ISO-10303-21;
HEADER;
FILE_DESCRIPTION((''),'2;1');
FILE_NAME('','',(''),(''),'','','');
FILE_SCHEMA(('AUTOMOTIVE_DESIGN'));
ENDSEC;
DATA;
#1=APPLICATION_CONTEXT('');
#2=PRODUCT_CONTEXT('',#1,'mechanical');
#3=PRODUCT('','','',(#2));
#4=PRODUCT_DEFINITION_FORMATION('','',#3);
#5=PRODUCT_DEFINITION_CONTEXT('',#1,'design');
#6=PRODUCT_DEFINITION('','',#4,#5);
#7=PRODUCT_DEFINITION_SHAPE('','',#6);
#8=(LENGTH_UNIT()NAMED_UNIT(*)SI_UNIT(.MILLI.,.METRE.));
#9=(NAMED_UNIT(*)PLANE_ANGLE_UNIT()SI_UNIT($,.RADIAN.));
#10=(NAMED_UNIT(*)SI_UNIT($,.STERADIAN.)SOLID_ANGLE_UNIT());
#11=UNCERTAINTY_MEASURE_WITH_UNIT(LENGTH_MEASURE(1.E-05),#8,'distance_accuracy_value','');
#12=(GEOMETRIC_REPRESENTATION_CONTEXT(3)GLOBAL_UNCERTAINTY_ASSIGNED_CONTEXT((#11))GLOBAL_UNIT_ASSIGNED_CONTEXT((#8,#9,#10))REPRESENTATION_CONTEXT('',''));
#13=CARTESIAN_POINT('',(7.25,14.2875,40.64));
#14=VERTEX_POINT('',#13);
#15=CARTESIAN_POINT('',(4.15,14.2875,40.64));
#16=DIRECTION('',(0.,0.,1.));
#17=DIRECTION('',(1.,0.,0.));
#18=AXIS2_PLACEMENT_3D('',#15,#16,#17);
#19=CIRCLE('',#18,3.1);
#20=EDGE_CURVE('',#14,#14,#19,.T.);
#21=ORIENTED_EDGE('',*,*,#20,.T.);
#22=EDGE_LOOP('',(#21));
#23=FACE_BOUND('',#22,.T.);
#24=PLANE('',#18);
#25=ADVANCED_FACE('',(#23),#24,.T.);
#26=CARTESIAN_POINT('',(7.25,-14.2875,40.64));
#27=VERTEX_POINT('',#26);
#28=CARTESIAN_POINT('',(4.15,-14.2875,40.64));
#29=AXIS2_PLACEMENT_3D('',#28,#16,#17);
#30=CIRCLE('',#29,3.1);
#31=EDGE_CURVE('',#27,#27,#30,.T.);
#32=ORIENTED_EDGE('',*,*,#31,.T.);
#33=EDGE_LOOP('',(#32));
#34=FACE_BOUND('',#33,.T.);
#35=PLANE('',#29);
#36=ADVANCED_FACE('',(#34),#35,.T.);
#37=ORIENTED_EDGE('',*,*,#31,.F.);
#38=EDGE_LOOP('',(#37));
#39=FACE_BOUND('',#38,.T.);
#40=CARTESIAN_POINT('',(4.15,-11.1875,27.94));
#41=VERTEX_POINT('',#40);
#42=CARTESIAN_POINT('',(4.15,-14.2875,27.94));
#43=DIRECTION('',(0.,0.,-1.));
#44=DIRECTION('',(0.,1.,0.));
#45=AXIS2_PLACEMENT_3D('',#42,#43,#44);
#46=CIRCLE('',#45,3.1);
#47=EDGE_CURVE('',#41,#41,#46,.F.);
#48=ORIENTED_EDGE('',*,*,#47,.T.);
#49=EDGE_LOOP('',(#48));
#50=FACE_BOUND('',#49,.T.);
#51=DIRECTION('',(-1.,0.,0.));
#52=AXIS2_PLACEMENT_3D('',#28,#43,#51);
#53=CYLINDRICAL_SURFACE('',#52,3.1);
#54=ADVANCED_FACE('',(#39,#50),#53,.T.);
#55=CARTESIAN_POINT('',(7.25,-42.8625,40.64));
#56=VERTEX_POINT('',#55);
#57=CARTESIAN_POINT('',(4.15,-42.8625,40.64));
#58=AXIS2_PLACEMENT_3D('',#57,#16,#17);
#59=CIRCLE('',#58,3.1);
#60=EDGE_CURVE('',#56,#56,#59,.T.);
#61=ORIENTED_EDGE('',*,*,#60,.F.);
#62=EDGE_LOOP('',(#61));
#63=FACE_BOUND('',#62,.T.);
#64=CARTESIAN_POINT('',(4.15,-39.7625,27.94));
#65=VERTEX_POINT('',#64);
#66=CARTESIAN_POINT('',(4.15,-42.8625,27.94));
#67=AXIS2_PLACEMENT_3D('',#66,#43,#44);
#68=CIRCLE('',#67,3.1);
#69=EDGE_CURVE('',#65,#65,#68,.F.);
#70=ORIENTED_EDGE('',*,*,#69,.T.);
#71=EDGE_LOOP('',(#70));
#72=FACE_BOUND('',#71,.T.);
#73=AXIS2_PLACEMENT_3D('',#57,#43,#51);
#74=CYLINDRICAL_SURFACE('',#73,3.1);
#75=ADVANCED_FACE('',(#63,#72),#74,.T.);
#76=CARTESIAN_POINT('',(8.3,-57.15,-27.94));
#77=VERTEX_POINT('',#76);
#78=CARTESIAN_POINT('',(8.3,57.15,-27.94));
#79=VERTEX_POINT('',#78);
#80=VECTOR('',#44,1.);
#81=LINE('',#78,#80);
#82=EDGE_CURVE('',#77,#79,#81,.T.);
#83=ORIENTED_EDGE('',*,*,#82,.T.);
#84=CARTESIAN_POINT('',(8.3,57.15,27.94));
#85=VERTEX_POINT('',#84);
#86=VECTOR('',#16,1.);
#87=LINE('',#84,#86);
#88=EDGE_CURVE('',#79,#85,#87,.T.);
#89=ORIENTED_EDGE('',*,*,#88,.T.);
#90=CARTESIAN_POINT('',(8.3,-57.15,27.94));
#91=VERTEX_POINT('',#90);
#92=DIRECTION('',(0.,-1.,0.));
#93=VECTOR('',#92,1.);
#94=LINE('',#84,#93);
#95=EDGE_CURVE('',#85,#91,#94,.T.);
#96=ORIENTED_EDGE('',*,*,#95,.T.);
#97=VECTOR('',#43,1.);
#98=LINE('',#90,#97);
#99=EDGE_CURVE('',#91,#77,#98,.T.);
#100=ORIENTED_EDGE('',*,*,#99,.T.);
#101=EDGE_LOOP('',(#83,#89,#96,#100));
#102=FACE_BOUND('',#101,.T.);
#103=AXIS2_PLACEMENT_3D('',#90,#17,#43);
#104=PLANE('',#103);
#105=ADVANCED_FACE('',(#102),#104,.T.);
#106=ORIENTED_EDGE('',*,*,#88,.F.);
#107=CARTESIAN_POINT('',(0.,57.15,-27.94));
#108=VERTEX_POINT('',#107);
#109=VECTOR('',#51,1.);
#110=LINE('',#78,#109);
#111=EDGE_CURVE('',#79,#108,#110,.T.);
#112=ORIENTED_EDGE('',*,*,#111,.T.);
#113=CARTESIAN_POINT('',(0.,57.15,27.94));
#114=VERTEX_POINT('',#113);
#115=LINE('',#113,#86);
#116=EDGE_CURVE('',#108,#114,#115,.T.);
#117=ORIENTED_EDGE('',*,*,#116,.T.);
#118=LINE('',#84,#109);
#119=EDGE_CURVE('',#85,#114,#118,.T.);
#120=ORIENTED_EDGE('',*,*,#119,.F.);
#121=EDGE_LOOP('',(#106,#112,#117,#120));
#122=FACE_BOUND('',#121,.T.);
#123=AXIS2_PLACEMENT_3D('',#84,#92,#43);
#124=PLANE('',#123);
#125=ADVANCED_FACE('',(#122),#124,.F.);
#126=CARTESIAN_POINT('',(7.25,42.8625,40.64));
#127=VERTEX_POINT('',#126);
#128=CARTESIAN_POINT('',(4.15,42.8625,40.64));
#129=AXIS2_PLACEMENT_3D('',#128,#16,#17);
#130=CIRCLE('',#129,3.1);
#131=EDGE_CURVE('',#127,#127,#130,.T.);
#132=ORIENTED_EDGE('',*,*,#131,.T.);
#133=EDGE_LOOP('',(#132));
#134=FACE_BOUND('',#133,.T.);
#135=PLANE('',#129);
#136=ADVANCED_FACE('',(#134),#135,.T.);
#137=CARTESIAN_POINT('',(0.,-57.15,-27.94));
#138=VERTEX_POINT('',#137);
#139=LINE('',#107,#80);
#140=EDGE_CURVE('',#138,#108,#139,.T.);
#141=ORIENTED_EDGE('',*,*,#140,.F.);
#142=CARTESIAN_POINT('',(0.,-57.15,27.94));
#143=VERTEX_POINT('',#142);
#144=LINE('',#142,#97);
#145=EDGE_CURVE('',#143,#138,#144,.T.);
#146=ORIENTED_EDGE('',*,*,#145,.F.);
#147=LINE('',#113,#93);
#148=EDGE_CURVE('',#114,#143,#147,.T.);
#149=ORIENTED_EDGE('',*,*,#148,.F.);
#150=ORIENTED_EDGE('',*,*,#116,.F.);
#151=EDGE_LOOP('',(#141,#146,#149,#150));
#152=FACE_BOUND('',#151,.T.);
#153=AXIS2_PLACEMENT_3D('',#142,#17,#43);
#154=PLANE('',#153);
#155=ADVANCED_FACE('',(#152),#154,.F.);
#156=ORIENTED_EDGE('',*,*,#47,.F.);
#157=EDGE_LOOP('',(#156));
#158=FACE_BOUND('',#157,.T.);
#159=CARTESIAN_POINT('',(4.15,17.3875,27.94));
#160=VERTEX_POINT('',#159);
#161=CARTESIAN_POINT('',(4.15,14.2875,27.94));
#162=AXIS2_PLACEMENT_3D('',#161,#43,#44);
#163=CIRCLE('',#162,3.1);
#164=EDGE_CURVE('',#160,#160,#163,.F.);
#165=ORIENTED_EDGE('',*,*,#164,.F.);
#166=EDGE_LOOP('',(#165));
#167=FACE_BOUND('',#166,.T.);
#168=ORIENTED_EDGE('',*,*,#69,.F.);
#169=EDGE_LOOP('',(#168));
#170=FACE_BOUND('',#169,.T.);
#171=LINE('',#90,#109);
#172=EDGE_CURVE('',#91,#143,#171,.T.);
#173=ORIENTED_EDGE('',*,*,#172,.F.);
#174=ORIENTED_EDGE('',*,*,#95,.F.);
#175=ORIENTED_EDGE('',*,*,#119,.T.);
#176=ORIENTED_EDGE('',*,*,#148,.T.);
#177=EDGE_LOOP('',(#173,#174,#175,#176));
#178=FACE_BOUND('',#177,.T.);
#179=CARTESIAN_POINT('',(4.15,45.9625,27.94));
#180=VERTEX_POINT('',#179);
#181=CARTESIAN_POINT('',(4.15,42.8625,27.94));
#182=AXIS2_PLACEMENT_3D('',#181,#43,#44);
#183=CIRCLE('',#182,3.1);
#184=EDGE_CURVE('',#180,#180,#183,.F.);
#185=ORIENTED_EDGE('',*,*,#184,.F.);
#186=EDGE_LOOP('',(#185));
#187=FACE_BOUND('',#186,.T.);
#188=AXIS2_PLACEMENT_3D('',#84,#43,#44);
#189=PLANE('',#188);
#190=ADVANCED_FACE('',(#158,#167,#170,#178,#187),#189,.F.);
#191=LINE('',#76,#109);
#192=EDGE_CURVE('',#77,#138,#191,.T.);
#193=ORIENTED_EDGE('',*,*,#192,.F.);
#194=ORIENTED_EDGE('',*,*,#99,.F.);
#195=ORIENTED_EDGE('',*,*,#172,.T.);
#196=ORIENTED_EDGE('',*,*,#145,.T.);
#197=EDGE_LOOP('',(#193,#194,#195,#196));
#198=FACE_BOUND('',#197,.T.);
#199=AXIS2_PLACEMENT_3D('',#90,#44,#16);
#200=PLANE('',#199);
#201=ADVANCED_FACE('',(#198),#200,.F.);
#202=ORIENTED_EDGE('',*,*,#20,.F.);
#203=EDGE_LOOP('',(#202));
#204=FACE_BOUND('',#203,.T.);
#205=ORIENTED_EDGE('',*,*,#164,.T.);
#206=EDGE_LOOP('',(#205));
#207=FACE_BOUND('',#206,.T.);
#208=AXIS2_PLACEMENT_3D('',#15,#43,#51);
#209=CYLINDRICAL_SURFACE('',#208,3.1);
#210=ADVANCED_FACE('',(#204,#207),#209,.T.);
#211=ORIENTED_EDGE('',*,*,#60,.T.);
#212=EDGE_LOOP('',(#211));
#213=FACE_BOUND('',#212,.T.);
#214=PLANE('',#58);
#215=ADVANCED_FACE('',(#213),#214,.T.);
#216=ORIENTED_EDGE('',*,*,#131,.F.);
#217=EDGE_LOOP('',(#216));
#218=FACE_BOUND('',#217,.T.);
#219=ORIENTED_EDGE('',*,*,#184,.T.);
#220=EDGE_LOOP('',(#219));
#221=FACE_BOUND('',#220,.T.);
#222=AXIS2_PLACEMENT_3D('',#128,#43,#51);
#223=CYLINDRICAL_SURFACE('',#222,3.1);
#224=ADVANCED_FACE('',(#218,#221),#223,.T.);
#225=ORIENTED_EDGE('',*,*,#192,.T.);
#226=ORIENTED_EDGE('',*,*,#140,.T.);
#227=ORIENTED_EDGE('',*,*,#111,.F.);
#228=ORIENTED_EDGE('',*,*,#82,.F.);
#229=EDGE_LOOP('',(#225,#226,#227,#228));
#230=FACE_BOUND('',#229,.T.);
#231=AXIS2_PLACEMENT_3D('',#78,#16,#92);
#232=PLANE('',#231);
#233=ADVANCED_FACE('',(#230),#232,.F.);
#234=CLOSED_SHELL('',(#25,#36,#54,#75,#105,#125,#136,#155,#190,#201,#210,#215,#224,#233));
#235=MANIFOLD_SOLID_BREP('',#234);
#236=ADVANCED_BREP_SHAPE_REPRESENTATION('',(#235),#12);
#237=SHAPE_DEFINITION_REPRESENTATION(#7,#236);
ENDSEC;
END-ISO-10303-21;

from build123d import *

# Parameters (mm, degrees)
SKETCH1_W           = 55.88
SKETCH1_H           = 114.3
BOSS_EXTRUDE1_DEPTH = 8.3
SKETCH2_R           = 3.1
BOSS_EXTRUDE2_DEPTH = 12.7
LPATTERN1_COUNT     = 4
LPATTERN1_PITCH     = 28.575


with BuildPart() as part:
    # Sketch1 → Boss-Extrude1 (new body)
    with BuildSketch(Plane(origin=(0, 0, 0), x_dir=(0, 0, -1), z_dir=(1, 0, 0))):
        Rectangle(SKETCH1_W, SKETCH1_H)
    extrude(amount=BOSS_EXTRUDE1_DEPTH)

    # Sketch2 → Boss-Extrude2 (add)
    with BuildSketch(Plane.XY.offset(27.94)):
        with Locations(Location((4.15, -42.8625, 0), (0, 0, 90))):  # turned: the seam where the file's is
            Circle(SKETCH2_R)
    boss_extrude2 = extrude(amount=BOSS_EXTRUDE2_DEPTH)

    # LPattern1: Boss-Extrude2 ×4
    with Locations(*[(0, i * LPATTERN1_PITCH, 0) for i in range(1, LPATTERN1_COUNT)]):
        add(boss_extrude2)


solid = part.part
